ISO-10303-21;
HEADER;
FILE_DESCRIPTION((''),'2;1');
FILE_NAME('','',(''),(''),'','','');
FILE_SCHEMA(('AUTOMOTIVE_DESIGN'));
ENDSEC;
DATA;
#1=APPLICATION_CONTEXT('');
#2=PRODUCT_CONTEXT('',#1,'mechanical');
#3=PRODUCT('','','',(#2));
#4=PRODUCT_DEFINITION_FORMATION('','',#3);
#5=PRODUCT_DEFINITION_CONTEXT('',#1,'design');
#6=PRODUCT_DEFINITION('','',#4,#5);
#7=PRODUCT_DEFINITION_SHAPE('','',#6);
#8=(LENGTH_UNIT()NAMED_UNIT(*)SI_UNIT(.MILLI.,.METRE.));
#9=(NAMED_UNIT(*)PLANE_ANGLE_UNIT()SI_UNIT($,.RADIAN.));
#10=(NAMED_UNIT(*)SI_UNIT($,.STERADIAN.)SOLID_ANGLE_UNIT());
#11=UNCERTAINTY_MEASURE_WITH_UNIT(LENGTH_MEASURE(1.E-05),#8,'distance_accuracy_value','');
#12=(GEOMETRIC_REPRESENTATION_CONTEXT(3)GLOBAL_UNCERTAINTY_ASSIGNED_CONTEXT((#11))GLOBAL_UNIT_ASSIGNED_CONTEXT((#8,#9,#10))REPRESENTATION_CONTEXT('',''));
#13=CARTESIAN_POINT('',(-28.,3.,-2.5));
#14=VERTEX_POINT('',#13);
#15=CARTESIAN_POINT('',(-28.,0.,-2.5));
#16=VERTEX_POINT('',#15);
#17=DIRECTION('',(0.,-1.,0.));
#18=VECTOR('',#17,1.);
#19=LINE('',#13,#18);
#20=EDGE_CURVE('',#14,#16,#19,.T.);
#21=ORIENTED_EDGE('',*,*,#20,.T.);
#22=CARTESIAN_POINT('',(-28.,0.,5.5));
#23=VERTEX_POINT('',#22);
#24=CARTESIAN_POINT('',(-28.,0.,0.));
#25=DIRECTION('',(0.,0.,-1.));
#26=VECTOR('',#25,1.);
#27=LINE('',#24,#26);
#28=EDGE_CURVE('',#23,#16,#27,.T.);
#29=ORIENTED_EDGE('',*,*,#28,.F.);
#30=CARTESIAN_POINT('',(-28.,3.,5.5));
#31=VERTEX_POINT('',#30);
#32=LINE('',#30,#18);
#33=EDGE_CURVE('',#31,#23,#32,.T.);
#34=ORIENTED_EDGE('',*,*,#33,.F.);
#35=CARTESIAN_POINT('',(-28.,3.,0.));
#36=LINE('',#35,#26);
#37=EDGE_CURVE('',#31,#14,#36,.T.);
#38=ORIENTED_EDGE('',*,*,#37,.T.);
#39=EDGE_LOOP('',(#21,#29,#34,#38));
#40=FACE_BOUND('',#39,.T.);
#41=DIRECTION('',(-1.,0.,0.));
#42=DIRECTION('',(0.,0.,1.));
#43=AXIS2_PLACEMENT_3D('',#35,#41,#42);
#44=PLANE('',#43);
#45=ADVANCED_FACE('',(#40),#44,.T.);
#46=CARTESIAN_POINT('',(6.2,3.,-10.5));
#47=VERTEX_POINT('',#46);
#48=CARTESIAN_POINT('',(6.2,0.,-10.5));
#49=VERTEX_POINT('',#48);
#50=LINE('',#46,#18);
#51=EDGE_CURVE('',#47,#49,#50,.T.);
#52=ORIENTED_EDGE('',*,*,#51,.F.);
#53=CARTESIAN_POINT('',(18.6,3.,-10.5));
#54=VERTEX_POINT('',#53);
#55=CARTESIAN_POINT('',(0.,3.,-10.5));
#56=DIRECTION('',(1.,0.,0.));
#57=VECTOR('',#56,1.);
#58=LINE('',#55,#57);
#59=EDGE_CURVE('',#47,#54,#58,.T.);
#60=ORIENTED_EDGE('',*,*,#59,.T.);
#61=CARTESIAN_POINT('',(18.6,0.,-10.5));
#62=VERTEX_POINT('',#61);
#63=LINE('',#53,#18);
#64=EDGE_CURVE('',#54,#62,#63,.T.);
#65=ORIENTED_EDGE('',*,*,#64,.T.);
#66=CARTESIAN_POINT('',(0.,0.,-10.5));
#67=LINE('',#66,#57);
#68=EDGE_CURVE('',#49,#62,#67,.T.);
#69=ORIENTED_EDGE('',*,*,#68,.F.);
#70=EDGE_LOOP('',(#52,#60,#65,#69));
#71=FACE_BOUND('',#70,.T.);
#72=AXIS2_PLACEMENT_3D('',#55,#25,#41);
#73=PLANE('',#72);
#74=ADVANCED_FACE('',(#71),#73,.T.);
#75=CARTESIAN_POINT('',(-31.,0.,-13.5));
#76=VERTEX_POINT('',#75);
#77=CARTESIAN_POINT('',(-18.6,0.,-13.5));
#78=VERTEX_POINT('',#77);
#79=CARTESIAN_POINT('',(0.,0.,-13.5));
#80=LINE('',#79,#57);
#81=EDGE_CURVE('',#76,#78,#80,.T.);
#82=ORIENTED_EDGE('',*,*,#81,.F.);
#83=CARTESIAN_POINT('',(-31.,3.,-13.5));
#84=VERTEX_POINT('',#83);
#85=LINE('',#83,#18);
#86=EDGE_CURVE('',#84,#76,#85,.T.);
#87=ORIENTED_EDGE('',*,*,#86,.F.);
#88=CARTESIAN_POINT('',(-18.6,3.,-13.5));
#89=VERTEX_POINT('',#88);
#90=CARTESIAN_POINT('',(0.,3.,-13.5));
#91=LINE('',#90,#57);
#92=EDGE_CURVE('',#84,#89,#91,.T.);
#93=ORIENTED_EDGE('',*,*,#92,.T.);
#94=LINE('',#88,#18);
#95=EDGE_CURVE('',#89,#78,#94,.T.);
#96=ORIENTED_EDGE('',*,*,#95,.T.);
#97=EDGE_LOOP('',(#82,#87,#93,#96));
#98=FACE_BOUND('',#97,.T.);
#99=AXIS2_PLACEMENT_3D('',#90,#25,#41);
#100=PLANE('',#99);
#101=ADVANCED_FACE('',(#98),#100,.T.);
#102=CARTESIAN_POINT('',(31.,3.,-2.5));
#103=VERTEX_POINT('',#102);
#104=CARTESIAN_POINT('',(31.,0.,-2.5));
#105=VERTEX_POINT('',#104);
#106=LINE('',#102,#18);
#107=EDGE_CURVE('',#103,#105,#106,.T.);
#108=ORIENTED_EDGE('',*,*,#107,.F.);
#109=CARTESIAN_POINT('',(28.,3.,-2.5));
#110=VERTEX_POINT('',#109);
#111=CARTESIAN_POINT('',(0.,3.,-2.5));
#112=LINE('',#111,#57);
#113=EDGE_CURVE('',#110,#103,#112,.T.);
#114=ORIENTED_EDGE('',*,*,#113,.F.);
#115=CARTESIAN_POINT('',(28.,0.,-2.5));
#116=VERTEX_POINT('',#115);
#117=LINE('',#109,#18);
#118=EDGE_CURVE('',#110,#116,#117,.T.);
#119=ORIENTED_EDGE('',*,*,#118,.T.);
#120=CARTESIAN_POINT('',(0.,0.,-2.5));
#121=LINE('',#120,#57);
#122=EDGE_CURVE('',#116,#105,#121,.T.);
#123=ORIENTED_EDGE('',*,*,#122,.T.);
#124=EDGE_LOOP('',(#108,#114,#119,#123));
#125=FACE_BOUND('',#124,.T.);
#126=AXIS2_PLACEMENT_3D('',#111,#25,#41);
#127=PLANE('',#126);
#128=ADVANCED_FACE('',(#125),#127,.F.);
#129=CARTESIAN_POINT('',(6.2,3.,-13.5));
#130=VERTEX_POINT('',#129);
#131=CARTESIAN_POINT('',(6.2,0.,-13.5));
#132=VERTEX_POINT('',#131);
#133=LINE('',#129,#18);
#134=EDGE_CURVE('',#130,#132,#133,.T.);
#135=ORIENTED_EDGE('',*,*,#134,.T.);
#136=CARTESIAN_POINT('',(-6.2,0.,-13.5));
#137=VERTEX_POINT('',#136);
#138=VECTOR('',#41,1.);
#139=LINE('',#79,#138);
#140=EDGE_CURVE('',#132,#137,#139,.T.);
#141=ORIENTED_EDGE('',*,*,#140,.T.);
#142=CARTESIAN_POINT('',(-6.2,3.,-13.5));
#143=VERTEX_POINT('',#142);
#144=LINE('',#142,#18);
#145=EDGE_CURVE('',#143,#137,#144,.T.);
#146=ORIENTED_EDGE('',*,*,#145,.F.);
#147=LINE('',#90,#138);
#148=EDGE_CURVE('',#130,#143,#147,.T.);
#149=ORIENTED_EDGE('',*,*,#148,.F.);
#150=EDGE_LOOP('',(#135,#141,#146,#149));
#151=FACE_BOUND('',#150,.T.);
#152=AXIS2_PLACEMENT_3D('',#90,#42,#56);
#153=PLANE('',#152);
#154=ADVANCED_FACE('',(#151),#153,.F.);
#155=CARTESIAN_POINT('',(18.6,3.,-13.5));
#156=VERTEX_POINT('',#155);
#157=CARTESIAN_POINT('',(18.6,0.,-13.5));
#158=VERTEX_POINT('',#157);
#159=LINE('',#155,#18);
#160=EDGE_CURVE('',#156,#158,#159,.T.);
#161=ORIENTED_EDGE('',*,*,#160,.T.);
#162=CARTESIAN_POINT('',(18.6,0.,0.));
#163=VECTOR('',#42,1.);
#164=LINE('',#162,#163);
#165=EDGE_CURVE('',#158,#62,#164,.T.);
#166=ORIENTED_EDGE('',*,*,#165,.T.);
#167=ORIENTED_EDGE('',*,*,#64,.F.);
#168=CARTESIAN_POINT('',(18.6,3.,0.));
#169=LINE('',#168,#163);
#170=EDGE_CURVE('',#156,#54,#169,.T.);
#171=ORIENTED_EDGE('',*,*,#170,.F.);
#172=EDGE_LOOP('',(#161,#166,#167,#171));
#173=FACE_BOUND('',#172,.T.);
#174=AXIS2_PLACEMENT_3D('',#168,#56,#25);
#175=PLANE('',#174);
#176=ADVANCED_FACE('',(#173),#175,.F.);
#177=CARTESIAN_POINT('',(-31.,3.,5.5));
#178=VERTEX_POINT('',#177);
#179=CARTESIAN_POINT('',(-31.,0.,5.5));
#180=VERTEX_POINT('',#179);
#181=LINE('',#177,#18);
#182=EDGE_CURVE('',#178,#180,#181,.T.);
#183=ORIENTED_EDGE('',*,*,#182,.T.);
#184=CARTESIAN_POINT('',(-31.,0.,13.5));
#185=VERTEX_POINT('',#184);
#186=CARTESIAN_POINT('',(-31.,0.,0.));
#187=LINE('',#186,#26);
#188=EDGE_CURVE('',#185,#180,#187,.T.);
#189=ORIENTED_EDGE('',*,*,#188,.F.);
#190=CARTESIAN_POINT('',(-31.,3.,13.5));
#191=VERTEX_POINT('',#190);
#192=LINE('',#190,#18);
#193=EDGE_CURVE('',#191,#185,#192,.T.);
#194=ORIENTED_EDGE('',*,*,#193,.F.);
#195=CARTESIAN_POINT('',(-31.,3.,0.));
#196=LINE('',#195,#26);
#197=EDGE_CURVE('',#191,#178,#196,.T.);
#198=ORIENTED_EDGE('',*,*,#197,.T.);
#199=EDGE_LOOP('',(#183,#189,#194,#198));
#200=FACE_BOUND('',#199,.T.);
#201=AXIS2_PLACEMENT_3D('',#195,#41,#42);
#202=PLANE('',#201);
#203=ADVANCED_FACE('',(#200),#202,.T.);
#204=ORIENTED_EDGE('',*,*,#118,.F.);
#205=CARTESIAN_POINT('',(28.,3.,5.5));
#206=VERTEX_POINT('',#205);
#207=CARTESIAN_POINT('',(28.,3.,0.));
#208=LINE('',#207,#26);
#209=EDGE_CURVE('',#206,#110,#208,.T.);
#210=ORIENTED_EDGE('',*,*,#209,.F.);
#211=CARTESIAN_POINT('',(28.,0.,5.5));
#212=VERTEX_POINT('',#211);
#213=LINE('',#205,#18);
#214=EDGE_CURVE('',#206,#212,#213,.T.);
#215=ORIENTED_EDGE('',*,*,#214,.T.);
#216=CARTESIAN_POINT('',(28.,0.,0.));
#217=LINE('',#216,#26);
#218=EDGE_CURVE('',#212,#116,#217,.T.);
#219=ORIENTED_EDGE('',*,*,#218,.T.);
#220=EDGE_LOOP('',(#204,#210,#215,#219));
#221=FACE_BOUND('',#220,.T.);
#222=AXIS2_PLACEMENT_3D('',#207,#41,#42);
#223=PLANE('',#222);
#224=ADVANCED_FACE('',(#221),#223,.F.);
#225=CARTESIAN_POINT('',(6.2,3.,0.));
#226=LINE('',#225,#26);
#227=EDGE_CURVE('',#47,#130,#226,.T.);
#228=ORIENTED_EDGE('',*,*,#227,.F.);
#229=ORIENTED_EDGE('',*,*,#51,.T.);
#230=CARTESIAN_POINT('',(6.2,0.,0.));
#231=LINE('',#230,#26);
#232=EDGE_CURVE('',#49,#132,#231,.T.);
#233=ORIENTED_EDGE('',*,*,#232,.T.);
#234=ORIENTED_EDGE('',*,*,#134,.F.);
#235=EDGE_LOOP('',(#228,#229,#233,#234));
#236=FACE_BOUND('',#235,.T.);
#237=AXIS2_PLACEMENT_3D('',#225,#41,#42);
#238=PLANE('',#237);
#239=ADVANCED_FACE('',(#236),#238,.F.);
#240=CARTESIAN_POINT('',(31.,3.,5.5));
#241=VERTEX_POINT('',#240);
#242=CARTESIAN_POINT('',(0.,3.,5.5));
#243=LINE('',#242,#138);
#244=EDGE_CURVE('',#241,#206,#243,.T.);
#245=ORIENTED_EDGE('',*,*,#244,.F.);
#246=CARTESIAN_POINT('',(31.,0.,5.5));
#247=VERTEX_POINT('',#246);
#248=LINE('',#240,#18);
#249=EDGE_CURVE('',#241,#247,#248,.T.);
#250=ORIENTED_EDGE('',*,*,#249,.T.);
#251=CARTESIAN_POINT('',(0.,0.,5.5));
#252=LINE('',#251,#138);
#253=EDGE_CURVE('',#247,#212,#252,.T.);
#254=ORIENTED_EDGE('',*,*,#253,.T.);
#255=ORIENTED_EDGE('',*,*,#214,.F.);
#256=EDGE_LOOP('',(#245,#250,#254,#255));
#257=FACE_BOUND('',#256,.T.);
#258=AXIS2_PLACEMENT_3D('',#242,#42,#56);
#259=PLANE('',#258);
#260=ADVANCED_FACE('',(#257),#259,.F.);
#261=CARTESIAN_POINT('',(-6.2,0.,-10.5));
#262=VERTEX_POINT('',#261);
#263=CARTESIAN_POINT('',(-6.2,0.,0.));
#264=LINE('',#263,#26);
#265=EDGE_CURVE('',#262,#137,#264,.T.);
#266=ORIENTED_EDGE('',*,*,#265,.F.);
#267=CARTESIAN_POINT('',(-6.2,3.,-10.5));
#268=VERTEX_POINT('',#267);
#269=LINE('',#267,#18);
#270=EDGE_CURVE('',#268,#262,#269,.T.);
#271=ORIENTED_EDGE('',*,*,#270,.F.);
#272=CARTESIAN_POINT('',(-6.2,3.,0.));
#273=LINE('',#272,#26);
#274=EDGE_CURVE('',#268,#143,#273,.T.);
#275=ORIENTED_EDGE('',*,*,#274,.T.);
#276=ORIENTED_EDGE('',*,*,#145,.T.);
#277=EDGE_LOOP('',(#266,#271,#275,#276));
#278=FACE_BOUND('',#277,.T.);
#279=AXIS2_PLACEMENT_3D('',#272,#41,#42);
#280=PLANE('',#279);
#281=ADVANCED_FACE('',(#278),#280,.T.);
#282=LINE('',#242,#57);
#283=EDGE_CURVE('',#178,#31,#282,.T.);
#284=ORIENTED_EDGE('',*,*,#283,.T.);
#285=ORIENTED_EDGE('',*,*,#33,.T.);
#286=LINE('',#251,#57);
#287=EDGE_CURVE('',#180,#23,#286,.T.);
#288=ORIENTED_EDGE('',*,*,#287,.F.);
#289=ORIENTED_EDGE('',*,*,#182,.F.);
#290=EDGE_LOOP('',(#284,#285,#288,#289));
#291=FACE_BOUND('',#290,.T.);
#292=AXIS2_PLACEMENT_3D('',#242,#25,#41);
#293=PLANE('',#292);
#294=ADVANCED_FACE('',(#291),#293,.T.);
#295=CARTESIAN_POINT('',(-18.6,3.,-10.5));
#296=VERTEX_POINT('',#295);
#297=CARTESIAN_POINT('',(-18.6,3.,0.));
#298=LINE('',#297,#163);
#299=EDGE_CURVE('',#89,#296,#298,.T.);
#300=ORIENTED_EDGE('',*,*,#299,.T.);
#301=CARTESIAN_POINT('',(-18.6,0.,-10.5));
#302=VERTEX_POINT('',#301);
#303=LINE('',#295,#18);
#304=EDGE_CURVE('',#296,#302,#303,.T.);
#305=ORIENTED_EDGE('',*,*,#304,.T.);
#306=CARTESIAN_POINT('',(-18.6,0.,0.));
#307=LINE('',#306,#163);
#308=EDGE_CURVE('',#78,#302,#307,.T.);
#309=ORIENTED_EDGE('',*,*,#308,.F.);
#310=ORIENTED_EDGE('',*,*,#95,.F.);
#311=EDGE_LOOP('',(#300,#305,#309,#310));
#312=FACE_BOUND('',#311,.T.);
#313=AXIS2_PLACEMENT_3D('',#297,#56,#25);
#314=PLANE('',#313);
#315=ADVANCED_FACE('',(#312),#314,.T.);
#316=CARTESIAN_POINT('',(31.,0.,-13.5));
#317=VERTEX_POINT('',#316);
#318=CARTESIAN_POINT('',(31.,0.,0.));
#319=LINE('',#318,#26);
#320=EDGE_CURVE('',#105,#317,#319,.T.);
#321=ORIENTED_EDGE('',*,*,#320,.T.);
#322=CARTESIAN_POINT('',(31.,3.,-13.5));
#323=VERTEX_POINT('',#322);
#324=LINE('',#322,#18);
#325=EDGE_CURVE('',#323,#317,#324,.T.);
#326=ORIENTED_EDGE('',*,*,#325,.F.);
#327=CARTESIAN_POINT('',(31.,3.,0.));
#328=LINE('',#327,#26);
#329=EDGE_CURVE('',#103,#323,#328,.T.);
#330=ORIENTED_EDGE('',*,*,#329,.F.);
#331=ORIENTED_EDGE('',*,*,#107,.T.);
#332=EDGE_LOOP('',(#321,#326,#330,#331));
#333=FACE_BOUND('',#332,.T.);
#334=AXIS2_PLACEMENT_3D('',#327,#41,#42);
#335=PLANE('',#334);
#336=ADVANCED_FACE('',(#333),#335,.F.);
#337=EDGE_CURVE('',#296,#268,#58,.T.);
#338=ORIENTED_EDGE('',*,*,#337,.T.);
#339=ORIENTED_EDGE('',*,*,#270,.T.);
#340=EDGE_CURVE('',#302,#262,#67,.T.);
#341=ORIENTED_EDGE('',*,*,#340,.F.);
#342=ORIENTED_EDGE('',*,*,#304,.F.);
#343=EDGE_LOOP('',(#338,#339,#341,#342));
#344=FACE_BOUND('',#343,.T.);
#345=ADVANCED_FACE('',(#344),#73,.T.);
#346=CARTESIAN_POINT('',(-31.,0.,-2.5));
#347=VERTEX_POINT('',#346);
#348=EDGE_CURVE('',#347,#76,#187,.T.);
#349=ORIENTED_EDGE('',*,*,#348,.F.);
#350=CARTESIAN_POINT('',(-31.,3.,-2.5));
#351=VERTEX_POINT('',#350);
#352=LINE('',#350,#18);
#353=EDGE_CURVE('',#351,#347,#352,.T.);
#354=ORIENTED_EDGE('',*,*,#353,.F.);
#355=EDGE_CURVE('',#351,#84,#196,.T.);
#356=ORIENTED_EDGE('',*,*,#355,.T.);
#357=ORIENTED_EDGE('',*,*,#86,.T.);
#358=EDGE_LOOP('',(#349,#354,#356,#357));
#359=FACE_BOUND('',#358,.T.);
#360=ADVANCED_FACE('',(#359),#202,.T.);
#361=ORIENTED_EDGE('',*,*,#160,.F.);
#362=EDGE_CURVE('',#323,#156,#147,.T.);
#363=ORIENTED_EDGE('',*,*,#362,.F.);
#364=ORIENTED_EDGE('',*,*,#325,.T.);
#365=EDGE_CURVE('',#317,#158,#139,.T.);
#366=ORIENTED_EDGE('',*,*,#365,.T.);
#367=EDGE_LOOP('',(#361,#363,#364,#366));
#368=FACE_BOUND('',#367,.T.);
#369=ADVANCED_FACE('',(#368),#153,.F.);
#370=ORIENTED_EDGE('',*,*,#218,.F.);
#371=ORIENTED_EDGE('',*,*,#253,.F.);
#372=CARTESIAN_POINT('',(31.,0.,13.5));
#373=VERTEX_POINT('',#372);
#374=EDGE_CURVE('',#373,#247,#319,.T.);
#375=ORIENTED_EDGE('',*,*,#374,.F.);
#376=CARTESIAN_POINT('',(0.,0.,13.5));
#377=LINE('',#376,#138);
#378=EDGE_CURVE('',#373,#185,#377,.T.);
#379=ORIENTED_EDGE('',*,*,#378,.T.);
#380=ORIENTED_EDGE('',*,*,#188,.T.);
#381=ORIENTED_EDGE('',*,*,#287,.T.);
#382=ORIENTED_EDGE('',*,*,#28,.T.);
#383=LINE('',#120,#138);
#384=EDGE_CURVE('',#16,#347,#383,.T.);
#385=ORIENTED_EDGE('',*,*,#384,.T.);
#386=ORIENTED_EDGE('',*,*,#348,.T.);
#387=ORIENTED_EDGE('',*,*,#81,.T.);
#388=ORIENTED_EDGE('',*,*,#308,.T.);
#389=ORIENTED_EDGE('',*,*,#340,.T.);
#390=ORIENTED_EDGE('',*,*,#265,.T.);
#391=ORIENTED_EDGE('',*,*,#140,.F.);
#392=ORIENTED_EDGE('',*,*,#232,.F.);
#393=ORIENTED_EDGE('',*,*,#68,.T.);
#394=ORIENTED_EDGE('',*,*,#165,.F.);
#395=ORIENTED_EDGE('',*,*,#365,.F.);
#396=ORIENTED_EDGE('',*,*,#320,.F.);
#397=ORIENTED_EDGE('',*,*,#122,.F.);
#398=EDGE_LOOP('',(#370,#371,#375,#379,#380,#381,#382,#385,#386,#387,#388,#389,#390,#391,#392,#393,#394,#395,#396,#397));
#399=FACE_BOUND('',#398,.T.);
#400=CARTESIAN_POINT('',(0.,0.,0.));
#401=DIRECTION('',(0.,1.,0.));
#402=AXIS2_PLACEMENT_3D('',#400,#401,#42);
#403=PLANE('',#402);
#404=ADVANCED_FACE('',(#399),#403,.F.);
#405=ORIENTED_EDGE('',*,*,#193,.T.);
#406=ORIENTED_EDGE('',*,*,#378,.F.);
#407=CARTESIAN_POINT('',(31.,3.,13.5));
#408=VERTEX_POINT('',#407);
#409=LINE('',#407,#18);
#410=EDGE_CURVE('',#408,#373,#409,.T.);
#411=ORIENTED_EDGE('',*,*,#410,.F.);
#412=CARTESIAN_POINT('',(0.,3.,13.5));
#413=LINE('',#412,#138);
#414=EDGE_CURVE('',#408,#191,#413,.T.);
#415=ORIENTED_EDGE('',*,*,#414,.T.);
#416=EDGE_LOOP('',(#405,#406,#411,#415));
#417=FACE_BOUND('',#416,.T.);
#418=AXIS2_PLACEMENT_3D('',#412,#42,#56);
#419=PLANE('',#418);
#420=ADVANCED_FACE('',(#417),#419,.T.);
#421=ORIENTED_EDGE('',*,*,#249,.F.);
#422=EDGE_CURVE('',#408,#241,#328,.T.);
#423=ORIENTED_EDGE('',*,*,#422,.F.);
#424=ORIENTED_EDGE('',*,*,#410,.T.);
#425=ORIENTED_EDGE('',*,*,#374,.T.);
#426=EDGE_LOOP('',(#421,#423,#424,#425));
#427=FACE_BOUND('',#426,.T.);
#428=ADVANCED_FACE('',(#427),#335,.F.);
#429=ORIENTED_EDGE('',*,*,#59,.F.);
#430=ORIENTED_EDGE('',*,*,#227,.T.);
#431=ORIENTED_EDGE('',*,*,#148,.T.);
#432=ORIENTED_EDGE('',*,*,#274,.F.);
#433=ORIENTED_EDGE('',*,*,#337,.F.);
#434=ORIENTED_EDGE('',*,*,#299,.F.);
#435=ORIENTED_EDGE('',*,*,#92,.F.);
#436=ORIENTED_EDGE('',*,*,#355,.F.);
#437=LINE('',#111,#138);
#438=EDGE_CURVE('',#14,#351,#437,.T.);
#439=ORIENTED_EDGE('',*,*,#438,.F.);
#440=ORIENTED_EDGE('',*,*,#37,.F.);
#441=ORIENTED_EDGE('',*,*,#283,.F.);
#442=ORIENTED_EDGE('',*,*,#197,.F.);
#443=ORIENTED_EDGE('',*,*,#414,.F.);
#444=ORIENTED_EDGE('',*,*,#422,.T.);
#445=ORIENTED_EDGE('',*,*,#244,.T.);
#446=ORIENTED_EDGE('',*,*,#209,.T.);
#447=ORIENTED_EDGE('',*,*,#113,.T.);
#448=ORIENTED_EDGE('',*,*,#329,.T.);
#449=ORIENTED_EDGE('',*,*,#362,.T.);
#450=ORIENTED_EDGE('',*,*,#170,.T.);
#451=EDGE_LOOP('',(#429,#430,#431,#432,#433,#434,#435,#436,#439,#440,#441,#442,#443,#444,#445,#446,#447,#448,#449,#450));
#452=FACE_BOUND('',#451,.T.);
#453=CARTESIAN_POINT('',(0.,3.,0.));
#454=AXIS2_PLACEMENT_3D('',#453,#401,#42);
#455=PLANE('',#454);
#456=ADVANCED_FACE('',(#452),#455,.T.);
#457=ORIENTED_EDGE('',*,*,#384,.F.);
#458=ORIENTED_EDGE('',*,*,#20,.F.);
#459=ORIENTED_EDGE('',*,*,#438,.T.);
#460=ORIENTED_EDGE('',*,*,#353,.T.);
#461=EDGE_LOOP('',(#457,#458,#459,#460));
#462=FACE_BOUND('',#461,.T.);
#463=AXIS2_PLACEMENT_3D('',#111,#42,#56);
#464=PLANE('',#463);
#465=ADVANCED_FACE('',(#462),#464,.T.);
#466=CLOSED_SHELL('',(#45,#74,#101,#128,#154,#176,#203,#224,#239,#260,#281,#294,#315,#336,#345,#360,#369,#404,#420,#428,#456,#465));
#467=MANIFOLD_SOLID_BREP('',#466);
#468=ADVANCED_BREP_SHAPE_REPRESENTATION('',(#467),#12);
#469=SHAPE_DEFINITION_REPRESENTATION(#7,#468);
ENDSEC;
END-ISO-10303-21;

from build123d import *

# Parameters (mm, degrees)
BOSS_EXTRUDE1_DEPTH = 3


with BuildPart() as part:
    # Sketch1 → Boss-Extrude1 (new body)
    with BuildSketch(Plane(origin=(0, 0, 0), x_dir=(1, 0, 0), z_dir=(0, 1, 0))):
        Polygon((28, 2.5), (31, 2.5), (31, 13.5), (18.6, 13.5), (18.6, 10.5), (6.2, 10.5), (6.2, 13.5), (-6.2, 13.5), (-6.2, 10.5), (-18.6, 10.5), (-18.6, 13.5), (-31, 13.5), (-31, 2.5), (-28, 2.5), (-28, -5.5), (-31, -5.5), (-31, -13.5), (31, -13.5), (31, -5.5), (28, -5.5), align=None)
    extrude(amount=BOSS_EXTRUDE1_DEPTH)


solid = part.part
